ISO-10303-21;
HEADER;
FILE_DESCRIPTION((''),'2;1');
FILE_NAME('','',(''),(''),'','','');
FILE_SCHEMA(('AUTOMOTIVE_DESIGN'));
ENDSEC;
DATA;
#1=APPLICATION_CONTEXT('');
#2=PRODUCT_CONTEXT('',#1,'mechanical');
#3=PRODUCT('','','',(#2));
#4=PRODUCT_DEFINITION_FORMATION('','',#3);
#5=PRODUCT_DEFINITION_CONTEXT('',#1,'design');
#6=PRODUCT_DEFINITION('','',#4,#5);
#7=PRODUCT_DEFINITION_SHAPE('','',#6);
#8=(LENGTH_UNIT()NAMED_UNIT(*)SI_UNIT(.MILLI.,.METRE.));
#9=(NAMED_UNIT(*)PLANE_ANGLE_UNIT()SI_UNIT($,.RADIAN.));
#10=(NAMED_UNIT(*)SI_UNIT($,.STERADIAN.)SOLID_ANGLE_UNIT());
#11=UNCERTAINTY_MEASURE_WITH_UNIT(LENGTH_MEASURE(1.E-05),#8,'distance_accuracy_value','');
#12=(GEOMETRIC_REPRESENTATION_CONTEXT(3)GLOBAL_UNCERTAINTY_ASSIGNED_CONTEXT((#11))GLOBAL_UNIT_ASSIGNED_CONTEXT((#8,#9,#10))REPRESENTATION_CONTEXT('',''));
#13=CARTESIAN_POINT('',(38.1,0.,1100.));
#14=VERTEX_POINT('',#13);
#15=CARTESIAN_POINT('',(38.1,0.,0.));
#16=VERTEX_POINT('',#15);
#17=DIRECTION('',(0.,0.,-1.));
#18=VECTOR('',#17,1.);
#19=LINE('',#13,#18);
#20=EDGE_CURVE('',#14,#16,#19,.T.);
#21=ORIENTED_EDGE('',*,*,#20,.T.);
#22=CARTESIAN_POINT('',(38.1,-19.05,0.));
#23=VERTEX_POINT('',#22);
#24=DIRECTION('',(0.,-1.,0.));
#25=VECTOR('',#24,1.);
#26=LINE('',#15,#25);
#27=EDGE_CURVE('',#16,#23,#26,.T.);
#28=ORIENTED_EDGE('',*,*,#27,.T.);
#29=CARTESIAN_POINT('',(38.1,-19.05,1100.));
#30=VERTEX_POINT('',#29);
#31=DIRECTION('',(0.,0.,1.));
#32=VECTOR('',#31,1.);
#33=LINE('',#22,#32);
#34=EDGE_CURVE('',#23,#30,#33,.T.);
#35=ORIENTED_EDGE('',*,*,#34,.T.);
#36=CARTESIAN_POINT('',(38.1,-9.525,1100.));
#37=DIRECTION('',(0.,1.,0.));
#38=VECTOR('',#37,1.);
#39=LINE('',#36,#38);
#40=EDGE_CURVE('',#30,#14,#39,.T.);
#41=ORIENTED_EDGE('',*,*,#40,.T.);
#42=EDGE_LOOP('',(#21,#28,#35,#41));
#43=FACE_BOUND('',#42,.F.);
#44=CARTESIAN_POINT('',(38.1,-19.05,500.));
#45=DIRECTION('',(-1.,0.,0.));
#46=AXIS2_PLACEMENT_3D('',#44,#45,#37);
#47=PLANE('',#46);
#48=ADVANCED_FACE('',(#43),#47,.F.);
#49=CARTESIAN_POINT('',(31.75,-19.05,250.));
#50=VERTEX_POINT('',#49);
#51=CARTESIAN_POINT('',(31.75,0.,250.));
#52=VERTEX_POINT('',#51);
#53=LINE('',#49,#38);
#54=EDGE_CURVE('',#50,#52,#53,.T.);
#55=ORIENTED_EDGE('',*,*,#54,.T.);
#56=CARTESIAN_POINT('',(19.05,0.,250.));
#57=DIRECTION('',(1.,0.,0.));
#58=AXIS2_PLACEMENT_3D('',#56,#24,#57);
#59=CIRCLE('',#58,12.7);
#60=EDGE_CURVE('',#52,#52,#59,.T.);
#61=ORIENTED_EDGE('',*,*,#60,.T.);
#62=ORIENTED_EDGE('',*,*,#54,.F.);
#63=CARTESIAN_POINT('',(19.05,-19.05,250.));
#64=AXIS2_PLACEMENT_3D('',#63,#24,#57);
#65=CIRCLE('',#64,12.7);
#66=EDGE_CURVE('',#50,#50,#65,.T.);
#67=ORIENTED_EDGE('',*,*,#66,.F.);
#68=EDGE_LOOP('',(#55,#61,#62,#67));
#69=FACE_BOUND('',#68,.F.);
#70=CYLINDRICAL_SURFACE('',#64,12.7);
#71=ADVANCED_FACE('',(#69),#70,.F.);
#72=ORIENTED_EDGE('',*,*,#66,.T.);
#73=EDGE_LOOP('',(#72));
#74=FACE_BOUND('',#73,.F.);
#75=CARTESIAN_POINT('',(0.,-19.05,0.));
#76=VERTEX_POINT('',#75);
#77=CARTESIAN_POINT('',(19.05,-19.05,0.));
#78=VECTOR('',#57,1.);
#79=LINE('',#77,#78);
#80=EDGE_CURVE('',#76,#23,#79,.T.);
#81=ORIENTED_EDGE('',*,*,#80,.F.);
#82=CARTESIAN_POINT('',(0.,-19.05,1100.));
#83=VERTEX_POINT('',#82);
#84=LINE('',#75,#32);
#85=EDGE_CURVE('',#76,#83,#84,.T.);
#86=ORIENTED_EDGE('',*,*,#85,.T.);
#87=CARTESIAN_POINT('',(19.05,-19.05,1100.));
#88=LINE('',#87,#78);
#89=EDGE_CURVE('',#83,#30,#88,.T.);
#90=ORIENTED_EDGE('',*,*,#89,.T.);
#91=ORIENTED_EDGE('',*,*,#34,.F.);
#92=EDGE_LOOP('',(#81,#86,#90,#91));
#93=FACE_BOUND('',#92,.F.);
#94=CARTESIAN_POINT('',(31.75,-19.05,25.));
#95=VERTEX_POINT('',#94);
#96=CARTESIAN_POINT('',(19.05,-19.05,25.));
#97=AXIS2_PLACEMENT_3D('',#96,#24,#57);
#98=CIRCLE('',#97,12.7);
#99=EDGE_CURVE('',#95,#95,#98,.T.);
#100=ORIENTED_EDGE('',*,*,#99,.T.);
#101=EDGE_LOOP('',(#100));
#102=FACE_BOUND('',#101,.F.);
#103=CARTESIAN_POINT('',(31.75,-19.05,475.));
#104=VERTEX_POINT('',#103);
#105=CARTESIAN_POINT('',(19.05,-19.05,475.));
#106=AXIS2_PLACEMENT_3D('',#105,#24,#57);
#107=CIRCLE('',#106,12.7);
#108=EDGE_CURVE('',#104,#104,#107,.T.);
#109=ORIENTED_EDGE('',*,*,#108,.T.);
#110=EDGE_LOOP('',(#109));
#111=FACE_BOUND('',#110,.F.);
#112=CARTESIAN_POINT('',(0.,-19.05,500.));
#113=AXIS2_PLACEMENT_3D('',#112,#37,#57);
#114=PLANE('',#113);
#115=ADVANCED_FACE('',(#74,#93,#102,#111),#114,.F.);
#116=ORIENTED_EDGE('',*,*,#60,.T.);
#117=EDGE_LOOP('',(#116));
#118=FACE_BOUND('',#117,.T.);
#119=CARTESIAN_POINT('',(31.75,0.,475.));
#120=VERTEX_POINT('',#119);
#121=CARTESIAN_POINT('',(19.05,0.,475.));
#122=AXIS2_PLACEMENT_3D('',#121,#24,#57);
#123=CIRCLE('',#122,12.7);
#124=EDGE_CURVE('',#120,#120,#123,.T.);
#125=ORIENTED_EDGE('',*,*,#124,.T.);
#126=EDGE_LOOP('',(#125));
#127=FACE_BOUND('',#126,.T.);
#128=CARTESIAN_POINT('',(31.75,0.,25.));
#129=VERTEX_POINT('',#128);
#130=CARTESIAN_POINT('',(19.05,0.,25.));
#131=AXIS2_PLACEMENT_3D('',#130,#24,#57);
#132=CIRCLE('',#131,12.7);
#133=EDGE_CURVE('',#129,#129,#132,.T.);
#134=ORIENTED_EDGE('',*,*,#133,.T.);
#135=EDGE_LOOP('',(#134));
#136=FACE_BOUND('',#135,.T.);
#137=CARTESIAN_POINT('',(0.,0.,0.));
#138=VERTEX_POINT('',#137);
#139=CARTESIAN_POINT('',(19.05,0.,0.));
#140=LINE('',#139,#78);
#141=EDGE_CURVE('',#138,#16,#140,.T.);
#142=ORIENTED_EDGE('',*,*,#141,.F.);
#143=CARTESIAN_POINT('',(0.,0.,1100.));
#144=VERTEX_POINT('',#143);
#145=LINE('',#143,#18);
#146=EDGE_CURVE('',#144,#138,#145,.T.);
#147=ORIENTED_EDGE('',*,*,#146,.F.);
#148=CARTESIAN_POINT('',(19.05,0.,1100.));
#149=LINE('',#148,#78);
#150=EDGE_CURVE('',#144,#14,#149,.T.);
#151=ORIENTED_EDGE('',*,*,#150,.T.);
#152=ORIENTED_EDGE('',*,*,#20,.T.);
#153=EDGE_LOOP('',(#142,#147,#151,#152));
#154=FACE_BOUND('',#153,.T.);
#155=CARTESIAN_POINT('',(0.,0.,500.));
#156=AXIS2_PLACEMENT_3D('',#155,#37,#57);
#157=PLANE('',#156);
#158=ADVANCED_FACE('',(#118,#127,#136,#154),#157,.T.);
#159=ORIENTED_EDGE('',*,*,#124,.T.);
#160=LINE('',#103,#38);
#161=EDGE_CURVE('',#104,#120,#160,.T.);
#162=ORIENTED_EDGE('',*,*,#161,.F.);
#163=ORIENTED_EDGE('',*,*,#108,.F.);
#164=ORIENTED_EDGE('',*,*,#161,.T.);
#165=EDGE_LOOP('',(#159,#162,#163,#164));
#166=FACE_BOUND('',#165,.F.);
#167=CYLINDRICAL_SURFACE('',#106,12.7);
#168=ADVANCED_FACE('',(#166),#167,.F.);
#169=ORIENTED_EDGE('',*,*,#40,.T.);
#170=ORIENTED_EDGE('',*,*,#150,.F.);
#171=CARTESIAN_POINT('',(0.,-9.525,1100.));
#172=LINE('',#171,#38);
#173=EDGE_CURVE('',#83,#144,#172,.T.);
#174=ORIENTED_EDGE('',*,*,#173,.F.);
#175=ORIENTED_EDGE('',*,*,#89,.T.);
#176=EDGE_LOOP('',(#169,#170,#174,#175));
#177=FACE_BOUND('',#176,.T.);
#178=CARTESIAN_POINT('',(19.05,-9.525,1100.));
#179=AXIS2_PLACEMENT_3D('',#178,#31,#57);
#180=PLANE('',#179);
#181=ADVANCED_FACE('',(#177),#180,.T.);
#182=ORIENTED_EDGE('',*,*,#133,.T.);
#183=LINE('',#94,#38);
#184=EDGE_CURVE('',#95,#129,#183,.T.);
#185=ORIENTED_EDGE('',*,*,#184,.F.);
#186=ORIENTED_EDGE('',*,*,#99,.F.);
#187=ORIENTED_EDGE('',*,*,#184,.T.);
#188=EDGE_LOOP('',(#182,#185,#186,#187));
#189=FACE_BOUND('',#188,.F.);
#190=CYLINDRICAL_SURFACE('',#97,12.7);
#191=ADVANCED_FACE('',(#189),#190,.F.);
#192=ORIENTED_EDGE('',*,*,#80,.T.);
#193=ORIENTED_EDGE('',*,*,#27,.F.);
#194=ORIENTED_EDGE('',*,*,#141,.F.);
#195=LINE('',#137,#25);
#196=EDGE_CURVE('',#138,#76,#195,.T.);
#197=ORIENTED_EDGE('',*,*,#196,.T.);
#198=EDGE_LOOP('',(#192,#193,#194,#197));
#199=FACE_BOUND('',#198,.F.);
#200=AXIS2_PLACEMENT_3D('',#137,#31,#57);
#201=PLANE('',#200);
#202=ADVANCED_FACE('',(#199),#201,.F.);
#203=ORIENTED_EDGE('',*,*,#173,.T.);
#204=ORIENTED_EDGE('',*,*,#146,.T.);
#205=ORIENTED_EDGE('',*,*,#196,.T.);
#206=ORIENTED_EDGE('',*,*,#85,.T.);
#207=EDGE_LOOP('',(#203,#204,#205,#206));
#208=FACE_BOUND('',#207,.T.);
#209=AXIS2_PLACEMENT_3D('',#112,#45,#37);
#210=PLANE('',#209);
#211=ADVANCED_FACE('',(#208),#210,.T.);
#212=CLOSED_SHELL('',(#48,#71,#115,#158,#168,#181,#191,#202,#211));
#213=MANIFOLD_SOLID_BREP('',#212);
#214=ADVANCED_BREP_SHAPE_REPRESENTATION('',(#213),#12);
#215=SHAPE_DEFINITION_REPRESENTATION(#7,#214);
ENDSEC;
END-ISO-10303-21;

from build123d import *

# Parameters (mm, degrees)
F0_W     = 38.1
F0_H     = 500
F1_DEPTH = 19.05
F2_R     = 12.7
F3_DEPTH = 25
F4_R     = 12.7
F5_DEPTH = 25
F6_W     = 38.1
F6_H     = 19.05
F7_DEPTH = 600


with BuildPart() as f1:
    # F0 (on Front) → F1 (new body)
    with BuildSketch(Plane.XZ):
        with Locations((19.05, 250)):
            Rectangle(F0_W, F0_H)
    extrude(amount=F1_DEPTH)

    # F2 (on face) → F3 (cut)
    with BuildSketch(Plane.XZ.offset(19.05)):
        with Locations((19.05, 475)):
            Circle(F2_R)
        with Locations((19.05, 25)):
            Circle(F2_R)
    extrude(amount=-F3_DEPTH, mode=Mode.SUBTRACT)

    # F4 (on face) → F5 (cut)
    with BuildSketch(Plane.XZ.offset(19.05)):
        with Locations((19.05, 250)):
            Circle(F4_R)
    extrude(amount=-F5_DEPTH, mode=Mode.SUBTRACT)

    # F6 (on face) → F7 (join)
    with BuildSketch(Plane.XY.offset(500)):
        with Locations((19.05, -9.525)):
            Rectangle(F6_W, F6_H)
    extrude(amount=F7_DEPTH)


solid = f1.part
